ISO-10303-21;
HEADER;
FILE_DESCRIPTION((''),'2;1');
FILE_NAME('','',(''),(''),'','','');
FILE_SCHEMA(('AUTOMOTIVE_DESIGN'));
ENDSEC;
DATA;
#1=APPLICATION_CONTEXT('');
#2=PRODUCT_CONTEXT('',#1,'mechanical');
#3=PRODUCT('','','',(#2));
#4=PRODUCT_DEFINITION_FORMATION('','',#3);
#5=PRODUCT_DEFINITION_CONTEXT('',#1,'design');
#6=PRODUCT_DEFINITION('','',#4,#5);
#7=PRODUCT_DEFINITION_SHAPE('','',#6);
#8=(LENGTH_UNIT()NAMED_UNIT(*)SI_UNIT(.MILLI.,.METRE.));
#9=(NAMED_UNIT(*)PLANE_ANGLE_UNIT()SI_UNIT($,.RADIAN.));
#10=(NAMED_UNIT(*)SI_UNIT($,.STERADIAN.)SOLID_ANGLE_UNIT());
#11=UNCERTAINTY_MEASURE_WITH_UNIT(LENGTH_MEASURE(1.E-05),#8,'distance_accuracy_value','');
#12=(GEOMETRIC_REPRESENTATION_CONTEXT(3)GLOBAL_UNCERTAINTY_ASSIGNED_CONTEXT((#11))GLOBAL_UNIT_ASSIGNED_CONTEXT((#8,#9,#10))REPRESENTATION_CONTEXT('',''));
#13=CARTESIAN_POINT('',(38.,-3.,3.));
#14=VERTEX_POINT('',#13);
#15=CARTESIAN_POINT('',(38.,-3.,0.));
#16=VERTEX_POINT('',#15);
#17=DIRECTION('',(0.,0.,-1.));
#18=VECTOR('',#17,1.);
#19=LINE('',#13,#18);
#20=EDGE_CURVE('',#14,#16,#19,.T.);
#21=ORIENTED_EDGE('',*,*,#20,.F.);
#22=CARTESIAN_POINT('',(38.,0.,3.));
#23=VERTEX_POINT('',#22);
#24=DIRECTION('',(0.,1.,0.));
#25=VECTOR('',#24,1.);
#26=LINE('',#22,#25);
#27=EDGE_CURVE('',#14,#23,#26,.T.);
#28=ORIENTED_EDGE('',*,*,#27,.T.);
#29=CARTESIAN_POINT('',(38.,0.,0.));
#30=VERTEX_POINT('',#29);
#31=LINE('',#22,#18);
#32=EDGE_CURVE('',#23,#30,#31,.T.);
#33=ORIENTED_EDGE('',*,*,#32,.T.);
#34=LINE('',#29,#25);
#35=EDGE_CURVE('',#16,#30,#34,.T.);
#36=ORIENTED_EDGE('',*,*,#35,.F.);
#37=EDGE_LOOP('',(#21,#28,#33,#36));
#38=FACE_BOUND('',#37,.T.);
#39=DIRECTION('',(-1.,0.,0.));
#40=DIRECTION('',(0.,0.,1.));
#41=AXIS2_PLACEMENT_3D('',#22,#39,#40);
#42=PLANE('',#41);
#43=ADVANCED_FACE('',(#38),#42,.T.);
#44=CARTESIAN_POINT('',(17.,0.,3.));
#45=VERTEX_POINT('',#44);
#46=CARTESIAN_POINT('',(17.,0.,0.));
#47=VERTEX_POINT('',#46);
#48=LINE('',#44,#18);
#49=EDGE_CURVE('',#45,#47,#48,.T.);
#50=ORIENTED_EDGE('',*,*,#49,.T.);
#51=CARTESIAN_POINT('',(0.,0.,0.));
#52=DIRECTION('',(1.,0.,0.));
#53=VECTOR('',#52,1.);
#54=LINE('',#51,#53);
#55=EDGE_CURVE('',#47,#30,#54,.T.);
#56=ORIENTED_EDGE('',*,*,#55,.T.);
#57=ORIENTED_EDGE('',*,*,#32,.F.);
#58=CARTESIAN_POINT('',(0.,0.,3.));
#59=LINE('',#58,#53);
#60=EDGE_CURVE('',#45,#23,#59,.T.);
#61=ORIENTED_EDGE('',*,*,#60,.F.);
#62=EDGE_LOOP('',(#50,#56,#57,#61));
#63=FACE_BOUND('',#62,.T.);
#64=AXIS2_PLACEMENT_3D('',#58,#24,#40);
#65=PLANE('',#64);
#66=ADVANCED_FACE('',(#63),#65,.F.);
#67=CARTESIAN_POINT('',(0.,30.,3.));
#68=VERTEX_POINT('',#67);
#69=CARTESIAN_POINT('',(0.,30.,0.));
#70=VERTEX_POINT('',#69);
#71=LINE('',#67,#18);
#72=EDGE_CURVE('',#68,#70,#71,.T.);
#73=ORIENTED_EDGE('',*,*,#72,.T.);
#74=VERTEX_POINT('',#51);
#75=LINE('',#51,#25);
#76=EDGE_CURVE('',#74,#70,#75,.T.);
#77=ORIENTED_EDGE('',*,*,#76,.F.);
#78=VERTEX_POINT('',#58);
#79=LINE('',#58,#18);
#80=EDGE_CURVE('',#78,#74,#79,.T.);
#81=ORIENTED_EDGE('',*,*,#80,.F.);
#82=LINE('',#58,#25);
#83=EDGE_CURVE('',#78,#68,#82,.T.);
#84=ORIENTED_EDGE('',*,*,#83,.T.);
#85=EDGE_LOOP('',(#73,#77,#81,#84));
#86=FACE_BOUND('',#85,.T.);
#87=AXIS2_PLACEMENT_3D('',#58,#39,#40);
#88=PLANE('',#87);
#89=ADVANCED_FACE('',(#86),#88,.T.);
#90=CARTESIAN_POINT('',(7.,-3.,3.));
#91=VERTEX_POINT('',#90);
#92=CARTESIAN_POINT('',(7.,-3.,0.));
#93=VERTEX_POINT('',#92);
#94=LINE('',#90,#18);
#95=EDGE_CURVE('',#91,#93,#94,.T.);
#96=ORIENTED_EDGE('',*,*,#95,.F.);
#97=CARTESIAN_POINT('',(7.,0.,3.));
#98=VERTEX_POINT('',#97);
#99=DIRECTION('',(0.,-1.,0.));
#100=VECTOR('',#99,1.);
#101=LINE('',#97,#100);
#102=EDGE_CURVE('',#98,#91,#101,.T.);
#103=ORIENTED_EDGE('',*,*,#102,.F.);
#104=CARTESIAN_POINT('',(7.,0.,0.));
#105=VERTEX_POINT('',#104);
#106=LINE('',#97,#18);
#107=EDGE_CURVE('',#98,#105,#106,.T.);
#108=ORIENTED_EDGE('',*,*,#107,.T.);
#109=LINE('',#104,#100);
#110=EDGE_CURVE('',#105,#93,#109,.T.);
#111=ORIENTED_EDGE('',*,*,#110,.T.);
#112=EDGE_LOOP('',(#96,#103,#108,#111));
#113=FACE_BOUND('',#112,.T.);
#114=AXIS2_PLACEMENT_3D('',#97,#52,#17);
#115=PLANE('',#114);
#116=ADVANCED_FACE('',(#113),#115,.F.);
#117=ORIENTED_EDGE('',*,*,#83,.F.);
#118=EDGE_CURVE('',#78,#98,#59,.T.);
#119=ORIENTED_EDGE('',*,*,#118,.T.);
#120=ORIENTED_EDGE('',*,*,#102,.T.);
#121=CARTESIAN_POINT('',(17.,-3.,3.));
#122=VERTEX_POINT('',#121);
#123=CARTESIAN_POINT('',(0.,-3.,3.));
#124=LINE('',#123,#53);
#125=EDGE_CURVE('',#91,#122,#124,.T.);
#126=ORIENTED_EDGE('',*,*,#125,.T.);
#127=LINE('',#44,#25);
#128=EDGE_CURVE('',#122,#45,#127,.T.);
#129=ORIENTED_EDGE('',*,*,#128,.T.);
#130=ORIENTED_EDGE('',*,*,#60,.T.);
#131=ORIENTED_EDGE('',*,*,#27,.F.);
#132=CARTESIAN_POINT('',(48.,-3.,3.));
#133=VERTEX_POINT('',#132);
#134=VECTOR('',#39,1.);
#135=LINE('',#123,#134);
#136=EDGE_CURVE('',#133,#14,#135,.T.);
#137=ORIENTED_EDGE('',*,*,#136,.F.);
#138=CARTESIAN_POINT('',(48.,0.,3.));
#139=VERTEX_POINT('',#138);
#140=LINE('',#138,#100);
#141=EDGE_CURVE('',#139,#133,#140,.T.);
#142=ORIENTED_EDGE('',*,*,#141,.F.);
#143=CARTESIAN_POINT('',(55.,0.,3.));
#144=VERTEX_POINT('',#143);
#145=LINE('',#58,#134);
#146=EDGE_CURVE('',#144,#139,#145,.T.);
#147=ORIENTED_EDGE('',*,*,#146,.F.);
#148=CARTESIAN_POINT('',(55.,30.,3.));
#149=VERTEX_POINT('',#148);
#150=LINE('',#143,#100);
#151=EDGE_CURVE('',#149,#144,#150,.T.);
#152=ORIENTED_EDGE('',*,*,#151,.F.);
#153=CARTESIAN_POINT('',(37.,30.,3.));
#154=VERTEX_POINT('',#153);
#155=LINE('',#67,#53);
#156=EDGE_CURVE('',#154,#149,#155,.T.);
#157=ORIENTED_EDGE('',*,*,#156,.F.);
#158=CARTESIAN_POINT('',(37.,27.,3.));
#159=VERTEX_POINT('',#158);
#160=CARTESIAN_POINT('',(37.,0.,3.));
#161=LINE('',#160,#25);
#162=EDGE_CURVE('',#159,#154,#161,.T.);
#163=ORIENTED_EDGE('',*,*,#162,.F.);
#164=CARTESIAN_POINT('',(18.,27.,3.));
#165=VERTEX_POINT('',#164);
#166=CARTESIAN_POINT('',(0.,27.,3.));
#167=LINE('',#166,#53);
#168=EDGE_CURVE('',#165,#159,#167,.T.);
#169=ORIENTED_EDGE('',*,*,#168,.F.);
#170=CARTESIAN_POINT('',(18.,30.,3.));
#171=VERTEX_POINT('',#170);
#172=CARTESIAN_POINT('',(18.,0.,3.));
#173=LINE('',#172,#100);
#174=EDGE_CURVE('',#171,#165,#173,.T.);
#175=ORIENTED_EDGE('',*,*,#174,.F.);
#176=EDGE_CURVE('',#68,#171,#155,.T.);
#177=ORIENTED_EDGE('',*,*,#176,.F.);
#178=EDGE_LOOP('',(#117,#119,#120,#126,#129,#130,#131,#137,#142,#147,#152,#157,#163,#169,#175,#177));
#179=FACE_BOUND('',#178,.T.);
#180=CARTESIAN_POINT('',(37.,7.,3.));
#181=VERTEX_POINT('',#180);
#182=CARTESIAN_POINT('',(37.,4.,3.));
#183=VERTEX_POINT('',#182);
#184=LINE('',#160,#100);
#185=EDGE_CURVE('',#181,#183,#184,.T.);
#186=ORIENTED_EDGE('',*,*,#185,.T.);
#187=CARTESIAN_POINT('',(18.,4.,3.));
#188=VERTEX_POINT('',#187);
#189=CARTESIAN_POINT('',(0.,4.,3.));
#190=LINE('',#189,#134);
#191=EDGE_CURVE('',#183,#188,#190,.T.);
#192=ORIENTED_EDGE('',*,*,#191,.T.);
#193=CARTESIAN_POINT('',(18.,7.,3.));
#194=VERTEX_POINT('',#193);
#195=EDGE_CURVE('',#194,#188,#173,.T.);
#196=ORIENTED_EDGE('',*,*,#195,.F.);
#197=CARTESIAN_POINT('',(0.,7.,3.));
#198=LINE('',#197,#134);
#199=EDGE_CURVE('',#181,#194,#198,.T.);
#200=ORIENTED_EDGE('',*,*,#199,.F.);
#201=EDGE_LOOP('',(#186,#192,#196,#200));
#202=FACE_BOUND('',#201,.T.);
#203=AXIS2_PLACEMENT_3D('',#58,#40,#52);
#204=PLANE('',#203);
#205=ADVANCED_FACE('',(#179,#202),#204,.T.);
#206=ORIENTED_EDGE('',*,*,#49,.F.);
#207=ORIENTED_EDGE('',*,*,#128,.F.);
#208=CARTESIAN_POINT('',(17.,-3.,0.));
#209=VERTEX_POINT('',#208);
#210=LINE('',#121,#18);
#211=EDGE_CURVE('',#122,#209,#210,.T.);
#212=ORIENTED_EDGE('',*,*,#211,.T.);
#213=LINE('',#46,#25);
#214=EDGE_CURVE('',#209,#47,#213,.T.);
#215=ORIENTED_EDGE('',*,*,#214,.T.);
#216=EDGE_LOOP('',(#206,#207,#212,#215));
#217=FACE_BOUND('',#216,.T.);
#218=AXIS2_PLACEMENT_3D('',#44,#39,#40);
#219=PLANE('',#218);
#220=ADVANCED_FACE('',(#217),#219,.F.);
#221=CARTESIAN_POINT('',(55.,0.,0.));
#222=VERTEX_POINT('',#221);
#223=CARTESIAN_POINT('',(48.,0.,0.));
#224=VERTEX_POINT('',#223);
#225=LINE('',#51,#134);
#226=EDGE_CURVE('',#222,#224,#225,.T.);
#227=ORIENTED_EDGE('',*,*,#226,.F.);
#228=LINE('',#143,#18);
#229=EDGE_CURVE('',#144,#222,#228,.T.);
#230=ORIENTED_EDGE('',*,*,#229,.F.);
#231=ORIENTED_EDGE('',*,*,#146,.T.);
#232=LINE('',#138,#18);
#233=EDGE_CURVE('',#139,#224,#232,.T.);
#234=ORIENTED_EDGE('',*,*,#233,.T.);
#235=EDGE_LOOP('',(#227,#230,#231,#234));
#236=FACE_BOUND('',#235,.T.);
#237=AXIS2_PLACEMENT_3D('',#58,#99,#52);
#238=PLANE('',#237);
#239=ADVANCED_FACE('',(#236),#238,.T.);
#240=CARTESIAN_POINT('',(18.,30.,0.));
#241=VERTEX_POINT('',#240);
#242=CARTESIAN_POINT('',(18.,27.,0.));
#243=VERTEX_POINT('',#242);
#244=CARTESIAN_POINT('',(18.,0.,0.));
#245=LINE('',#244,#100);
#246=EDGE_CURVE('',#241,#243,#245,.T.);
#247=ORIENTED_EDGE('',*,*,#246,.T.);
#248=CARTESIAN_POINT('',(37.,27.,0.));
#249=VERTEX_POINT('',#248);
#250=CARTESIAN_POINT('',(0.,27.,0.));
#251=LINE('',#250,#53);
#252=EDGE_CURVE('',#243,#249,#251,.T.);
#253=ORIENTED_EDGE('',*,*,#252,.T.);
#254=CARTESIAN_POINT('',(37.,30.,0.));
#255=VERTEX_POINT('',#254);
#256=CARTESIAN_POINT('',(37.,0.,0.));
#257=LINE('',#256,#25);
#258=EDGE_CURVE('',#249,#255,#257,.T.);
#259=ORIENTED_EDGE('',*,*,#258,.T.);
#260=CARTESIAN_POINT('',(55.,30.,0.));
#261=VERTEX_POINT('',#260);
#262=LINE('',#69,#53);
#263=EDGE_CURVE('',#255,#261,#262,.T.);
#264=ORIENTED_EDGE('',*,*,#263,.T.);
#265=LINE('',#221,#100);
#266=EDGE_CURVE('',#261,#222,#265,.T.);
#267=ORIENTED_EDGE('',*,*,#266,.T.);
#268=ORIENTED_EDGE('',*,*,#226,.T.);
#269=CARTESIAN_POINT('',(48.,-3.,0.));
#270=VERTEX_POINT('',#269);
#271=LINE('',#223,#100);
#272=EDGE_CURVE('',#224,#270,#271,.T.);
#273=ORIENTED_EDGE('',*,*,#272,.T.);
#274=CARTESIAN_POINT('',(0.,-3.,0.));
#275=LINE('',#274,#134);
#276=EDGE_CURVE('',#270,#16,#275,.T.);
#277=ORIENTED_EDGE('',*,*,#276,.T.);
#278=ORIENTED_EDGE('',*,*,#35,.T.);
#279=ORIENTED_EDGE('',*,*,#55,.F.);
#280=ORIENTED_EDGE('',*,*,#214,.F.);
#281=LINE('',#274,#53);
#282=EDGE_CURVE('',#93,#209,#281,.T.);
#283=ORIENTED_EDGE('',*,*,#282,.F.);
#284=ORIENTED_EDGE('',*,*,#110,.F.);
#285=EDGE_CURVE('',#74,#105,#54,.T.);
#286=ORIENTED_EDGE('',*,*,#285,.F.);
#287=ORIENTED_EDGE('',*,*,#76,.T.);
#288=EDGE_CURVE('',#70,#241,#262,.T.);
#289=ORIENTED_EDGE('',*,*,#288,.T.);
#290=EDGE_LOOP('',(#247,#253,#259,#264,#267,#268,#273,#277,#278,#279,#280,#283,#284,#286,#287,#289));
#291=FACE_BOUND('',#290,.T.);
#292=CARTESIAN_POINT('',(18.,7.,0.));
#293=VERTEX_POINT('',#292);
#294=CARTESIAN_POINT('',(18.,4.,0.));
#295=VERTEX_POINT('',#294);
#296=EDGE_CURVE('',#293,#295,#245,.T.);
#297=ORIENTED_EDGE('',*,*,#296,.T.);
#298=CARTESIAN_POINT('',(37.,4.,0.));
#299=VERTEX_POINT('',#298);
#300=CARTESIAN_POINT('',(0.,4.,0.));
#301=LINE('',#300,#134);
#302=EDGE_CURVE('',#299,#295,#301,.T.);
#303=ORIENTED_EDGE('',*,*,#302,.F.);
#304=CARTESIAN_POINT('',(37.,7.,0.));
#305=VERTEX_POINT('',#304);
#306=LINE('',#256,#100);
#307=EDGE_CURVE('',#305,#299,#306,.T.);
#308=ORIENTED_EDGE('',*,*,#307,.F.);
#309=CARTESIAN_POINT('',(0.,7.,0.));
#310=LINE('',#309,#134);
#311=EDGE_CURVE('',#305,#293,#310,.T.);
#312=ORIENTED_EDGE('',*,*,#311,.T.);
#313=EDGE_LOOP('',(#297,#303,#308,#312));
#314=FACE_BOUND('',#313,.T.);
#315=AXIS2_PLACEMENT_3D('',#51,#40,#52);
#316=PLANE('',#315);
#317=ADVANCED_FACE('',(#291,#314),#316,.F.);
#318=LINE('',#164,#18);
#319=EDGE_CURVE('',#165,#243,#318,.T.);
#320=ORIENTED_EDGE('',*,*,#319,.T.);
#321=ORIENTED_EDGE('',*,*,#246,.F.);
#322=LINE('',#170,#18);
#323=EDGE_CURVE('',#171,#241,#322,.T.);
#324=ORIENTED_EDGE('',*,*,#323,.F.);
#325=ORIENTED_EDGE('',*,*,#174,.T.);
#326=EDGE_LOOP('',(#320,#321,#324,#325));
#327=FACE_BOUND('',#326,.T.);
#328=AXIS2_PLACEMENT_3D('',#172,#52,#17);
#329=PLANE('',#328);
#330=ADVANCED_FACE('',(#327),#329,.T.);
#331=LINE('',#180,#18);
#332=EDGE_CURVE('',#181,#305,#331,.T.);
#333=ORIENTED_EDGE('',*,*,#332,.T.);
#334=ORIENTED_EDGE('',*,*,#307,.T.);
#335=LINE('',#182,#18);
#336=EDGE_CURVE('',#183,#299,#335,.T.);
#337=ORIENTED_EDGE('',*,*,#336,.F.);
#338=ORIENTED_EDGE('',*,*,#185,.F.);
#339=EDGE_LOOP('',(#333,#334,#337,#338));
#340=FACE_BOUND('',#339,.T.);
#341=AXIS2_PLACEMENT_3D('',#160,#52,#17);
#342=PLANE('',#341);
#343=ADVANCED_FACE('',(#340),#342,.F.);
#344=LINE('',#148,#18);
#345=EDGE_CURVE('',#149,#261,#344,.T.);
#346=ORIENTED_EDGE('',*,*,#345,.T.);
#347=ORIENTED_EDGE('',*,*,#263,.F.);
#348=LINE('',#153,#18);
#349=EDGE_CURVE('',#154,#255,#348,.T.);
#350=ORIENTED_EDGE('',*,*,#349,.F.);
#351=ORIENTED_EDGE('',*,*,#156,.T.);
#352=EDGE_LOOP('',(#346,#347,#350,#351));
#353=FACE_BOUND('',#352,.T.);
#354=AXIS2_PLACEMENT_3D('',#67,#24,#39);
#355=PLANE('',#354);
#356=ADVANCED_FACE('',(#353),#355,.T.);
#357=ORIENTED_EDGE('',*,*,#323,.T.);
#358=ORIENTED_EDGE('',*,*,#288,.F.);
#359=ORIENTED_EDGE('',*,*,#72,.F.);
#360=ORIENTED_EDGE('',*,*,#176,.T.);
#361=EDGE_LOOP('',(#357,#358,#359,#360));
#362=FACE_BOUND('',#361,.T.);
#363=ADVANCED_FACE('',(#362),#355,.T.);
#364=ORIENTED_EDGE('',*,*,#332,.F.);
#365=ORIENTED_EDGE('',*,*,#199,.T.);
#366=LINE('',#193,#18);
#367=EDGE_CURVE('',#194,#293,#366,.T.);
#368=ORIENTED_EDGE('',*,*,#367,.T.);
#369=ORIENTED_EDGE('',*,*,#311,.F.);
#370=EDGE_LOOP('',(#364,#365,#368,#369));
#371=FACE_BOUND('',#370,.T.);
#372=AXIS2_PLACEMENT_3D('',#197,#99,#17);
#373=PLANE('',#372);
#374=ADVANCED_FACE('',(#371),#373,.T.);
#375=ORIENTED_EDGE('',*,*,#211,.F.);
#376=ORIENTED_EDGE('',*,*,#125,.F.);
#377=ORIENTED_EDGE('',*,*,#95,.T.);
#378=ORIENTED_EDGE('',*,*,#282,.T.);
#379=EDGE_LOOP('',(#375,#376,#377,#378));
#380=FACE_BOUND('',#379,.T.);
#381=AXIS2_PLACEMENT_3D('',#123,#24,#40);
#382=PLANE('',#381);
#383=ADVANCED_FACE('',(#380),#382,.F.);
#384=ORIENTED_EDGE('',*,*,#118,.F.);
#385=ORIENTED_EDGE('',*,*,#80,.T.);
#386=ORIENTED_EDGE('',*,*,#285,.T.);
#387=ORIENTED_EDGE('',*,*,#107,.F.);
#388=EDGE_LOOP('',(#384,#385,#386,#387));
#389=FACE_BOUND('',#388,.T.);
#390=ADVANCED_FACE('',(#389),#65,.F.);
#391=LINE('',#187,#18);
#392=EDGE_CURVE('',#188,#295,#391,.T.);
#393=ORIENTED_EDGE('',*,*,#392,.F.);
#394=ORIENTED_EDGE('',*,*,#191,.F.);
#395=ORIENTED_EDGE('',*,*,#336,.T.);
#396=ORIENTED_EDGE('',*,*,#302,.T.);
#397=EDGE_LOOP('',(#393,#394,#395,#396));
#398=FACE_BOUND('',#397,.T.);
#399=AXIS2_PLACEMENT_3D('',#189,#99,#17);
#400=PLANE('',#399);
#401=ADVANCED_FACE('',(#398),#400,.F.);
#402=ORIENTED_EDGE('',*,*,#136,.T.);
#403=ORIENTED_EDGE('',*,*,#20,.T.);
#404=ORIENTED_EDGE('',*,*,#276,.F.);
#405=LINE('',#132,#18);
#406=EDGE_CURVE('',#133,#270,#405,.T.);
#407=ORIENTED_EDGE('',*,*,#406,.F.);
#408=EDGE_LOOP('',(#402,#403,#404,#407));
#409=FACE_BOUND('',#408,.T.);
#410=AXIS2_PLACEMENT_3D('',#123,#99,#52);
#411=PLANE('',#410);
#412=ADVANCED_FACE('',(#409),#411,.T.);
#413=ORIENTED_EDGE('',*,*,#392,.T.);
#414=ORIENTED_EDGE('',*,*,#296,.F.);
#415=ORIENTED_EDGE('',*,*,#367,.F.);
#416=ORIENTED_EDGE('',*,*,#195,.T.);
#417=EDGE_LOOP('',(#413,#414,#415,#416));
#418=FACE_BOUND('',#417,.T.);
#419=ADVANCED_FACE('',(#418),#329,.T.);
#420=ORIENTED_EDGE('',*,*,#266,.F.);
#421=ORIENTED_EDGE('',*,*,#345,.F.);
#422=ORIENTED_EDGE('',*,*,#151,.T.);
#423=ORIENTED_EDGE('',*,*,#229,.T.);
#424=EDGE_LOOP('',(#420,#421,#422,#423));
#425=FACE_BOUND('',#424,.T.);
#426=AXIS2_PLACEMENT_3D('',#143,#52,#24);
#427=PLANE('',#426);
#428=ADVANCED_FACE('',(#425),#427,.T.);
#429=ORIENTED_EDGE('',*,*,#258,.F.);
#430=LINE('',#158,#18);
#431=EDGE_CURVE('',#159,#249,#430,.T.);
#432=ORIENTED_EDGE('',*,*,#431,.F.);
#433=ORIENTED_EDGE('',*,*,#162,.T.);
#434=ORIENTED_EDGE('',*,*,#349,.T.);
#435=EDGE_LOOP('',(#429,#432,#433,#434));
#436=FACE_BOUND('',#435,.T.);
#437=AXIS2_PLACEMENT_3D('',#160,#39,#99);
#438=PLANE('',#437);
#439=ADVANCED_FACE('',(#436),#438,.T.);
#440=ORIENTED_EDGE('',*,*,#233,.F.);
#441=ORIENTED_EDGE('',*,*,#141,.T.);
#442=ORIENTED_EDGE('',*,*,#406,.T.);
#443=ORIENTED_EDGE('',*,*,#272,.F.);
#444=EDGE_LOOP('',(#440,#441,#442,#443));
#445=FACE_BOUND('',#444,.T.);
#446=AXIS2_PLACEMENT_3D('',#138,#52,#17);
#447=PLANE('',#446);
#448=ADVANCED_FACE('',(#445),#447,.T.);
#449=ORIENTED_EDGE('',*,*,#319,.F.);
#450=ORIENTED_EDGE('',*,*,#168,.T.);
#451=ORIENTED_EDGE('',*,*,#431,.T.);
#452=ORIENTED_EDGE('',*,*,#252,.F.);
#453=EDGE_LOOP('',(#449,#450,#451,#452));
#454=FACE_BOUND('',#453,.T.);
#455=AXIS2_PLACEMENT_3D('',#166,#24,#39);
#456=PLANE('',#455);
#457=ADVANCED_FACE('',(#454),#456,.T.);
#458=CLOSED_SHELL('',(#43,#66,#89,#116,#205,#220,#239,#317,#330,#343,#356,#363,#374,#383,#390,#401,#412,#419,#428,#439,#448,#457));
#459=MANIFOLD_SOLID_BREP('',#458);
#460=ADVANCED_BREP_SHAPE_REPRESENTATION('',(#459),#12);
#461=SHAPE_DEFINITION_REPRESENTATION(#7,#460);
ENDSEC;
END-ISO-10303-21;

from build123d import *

# Parameters (mm, degrees)
SKETCH1_W           = 19
SKETCH1_H           = 3
BOSS_EXTRUDE1_DEPTH = 3


with BuildPart() as part:
    # Sketch1 → Boss-Extrude1 (new body)
    with BuildSketch(Plane.XY):
        Polygon((0, 0), (0, 30), (18, 30), (18, 27), (37, 27), (37, 30), (55, 30), (55, 0), (48, 0), (48, -3), (38, -3), (38, 0), (31, 0), (24, 0), (17, 0), (17, -3), (7, -3), (7, 0), align=None)
        with Locations((27.5, 5.5)):
            Rectangle(SKETCH1_W, SKETCH1_H, mode=Mode.SUBTRACT)
    extrude(amount=BOSS_EXTRUDE1_DEPTH)


solid = part.part
